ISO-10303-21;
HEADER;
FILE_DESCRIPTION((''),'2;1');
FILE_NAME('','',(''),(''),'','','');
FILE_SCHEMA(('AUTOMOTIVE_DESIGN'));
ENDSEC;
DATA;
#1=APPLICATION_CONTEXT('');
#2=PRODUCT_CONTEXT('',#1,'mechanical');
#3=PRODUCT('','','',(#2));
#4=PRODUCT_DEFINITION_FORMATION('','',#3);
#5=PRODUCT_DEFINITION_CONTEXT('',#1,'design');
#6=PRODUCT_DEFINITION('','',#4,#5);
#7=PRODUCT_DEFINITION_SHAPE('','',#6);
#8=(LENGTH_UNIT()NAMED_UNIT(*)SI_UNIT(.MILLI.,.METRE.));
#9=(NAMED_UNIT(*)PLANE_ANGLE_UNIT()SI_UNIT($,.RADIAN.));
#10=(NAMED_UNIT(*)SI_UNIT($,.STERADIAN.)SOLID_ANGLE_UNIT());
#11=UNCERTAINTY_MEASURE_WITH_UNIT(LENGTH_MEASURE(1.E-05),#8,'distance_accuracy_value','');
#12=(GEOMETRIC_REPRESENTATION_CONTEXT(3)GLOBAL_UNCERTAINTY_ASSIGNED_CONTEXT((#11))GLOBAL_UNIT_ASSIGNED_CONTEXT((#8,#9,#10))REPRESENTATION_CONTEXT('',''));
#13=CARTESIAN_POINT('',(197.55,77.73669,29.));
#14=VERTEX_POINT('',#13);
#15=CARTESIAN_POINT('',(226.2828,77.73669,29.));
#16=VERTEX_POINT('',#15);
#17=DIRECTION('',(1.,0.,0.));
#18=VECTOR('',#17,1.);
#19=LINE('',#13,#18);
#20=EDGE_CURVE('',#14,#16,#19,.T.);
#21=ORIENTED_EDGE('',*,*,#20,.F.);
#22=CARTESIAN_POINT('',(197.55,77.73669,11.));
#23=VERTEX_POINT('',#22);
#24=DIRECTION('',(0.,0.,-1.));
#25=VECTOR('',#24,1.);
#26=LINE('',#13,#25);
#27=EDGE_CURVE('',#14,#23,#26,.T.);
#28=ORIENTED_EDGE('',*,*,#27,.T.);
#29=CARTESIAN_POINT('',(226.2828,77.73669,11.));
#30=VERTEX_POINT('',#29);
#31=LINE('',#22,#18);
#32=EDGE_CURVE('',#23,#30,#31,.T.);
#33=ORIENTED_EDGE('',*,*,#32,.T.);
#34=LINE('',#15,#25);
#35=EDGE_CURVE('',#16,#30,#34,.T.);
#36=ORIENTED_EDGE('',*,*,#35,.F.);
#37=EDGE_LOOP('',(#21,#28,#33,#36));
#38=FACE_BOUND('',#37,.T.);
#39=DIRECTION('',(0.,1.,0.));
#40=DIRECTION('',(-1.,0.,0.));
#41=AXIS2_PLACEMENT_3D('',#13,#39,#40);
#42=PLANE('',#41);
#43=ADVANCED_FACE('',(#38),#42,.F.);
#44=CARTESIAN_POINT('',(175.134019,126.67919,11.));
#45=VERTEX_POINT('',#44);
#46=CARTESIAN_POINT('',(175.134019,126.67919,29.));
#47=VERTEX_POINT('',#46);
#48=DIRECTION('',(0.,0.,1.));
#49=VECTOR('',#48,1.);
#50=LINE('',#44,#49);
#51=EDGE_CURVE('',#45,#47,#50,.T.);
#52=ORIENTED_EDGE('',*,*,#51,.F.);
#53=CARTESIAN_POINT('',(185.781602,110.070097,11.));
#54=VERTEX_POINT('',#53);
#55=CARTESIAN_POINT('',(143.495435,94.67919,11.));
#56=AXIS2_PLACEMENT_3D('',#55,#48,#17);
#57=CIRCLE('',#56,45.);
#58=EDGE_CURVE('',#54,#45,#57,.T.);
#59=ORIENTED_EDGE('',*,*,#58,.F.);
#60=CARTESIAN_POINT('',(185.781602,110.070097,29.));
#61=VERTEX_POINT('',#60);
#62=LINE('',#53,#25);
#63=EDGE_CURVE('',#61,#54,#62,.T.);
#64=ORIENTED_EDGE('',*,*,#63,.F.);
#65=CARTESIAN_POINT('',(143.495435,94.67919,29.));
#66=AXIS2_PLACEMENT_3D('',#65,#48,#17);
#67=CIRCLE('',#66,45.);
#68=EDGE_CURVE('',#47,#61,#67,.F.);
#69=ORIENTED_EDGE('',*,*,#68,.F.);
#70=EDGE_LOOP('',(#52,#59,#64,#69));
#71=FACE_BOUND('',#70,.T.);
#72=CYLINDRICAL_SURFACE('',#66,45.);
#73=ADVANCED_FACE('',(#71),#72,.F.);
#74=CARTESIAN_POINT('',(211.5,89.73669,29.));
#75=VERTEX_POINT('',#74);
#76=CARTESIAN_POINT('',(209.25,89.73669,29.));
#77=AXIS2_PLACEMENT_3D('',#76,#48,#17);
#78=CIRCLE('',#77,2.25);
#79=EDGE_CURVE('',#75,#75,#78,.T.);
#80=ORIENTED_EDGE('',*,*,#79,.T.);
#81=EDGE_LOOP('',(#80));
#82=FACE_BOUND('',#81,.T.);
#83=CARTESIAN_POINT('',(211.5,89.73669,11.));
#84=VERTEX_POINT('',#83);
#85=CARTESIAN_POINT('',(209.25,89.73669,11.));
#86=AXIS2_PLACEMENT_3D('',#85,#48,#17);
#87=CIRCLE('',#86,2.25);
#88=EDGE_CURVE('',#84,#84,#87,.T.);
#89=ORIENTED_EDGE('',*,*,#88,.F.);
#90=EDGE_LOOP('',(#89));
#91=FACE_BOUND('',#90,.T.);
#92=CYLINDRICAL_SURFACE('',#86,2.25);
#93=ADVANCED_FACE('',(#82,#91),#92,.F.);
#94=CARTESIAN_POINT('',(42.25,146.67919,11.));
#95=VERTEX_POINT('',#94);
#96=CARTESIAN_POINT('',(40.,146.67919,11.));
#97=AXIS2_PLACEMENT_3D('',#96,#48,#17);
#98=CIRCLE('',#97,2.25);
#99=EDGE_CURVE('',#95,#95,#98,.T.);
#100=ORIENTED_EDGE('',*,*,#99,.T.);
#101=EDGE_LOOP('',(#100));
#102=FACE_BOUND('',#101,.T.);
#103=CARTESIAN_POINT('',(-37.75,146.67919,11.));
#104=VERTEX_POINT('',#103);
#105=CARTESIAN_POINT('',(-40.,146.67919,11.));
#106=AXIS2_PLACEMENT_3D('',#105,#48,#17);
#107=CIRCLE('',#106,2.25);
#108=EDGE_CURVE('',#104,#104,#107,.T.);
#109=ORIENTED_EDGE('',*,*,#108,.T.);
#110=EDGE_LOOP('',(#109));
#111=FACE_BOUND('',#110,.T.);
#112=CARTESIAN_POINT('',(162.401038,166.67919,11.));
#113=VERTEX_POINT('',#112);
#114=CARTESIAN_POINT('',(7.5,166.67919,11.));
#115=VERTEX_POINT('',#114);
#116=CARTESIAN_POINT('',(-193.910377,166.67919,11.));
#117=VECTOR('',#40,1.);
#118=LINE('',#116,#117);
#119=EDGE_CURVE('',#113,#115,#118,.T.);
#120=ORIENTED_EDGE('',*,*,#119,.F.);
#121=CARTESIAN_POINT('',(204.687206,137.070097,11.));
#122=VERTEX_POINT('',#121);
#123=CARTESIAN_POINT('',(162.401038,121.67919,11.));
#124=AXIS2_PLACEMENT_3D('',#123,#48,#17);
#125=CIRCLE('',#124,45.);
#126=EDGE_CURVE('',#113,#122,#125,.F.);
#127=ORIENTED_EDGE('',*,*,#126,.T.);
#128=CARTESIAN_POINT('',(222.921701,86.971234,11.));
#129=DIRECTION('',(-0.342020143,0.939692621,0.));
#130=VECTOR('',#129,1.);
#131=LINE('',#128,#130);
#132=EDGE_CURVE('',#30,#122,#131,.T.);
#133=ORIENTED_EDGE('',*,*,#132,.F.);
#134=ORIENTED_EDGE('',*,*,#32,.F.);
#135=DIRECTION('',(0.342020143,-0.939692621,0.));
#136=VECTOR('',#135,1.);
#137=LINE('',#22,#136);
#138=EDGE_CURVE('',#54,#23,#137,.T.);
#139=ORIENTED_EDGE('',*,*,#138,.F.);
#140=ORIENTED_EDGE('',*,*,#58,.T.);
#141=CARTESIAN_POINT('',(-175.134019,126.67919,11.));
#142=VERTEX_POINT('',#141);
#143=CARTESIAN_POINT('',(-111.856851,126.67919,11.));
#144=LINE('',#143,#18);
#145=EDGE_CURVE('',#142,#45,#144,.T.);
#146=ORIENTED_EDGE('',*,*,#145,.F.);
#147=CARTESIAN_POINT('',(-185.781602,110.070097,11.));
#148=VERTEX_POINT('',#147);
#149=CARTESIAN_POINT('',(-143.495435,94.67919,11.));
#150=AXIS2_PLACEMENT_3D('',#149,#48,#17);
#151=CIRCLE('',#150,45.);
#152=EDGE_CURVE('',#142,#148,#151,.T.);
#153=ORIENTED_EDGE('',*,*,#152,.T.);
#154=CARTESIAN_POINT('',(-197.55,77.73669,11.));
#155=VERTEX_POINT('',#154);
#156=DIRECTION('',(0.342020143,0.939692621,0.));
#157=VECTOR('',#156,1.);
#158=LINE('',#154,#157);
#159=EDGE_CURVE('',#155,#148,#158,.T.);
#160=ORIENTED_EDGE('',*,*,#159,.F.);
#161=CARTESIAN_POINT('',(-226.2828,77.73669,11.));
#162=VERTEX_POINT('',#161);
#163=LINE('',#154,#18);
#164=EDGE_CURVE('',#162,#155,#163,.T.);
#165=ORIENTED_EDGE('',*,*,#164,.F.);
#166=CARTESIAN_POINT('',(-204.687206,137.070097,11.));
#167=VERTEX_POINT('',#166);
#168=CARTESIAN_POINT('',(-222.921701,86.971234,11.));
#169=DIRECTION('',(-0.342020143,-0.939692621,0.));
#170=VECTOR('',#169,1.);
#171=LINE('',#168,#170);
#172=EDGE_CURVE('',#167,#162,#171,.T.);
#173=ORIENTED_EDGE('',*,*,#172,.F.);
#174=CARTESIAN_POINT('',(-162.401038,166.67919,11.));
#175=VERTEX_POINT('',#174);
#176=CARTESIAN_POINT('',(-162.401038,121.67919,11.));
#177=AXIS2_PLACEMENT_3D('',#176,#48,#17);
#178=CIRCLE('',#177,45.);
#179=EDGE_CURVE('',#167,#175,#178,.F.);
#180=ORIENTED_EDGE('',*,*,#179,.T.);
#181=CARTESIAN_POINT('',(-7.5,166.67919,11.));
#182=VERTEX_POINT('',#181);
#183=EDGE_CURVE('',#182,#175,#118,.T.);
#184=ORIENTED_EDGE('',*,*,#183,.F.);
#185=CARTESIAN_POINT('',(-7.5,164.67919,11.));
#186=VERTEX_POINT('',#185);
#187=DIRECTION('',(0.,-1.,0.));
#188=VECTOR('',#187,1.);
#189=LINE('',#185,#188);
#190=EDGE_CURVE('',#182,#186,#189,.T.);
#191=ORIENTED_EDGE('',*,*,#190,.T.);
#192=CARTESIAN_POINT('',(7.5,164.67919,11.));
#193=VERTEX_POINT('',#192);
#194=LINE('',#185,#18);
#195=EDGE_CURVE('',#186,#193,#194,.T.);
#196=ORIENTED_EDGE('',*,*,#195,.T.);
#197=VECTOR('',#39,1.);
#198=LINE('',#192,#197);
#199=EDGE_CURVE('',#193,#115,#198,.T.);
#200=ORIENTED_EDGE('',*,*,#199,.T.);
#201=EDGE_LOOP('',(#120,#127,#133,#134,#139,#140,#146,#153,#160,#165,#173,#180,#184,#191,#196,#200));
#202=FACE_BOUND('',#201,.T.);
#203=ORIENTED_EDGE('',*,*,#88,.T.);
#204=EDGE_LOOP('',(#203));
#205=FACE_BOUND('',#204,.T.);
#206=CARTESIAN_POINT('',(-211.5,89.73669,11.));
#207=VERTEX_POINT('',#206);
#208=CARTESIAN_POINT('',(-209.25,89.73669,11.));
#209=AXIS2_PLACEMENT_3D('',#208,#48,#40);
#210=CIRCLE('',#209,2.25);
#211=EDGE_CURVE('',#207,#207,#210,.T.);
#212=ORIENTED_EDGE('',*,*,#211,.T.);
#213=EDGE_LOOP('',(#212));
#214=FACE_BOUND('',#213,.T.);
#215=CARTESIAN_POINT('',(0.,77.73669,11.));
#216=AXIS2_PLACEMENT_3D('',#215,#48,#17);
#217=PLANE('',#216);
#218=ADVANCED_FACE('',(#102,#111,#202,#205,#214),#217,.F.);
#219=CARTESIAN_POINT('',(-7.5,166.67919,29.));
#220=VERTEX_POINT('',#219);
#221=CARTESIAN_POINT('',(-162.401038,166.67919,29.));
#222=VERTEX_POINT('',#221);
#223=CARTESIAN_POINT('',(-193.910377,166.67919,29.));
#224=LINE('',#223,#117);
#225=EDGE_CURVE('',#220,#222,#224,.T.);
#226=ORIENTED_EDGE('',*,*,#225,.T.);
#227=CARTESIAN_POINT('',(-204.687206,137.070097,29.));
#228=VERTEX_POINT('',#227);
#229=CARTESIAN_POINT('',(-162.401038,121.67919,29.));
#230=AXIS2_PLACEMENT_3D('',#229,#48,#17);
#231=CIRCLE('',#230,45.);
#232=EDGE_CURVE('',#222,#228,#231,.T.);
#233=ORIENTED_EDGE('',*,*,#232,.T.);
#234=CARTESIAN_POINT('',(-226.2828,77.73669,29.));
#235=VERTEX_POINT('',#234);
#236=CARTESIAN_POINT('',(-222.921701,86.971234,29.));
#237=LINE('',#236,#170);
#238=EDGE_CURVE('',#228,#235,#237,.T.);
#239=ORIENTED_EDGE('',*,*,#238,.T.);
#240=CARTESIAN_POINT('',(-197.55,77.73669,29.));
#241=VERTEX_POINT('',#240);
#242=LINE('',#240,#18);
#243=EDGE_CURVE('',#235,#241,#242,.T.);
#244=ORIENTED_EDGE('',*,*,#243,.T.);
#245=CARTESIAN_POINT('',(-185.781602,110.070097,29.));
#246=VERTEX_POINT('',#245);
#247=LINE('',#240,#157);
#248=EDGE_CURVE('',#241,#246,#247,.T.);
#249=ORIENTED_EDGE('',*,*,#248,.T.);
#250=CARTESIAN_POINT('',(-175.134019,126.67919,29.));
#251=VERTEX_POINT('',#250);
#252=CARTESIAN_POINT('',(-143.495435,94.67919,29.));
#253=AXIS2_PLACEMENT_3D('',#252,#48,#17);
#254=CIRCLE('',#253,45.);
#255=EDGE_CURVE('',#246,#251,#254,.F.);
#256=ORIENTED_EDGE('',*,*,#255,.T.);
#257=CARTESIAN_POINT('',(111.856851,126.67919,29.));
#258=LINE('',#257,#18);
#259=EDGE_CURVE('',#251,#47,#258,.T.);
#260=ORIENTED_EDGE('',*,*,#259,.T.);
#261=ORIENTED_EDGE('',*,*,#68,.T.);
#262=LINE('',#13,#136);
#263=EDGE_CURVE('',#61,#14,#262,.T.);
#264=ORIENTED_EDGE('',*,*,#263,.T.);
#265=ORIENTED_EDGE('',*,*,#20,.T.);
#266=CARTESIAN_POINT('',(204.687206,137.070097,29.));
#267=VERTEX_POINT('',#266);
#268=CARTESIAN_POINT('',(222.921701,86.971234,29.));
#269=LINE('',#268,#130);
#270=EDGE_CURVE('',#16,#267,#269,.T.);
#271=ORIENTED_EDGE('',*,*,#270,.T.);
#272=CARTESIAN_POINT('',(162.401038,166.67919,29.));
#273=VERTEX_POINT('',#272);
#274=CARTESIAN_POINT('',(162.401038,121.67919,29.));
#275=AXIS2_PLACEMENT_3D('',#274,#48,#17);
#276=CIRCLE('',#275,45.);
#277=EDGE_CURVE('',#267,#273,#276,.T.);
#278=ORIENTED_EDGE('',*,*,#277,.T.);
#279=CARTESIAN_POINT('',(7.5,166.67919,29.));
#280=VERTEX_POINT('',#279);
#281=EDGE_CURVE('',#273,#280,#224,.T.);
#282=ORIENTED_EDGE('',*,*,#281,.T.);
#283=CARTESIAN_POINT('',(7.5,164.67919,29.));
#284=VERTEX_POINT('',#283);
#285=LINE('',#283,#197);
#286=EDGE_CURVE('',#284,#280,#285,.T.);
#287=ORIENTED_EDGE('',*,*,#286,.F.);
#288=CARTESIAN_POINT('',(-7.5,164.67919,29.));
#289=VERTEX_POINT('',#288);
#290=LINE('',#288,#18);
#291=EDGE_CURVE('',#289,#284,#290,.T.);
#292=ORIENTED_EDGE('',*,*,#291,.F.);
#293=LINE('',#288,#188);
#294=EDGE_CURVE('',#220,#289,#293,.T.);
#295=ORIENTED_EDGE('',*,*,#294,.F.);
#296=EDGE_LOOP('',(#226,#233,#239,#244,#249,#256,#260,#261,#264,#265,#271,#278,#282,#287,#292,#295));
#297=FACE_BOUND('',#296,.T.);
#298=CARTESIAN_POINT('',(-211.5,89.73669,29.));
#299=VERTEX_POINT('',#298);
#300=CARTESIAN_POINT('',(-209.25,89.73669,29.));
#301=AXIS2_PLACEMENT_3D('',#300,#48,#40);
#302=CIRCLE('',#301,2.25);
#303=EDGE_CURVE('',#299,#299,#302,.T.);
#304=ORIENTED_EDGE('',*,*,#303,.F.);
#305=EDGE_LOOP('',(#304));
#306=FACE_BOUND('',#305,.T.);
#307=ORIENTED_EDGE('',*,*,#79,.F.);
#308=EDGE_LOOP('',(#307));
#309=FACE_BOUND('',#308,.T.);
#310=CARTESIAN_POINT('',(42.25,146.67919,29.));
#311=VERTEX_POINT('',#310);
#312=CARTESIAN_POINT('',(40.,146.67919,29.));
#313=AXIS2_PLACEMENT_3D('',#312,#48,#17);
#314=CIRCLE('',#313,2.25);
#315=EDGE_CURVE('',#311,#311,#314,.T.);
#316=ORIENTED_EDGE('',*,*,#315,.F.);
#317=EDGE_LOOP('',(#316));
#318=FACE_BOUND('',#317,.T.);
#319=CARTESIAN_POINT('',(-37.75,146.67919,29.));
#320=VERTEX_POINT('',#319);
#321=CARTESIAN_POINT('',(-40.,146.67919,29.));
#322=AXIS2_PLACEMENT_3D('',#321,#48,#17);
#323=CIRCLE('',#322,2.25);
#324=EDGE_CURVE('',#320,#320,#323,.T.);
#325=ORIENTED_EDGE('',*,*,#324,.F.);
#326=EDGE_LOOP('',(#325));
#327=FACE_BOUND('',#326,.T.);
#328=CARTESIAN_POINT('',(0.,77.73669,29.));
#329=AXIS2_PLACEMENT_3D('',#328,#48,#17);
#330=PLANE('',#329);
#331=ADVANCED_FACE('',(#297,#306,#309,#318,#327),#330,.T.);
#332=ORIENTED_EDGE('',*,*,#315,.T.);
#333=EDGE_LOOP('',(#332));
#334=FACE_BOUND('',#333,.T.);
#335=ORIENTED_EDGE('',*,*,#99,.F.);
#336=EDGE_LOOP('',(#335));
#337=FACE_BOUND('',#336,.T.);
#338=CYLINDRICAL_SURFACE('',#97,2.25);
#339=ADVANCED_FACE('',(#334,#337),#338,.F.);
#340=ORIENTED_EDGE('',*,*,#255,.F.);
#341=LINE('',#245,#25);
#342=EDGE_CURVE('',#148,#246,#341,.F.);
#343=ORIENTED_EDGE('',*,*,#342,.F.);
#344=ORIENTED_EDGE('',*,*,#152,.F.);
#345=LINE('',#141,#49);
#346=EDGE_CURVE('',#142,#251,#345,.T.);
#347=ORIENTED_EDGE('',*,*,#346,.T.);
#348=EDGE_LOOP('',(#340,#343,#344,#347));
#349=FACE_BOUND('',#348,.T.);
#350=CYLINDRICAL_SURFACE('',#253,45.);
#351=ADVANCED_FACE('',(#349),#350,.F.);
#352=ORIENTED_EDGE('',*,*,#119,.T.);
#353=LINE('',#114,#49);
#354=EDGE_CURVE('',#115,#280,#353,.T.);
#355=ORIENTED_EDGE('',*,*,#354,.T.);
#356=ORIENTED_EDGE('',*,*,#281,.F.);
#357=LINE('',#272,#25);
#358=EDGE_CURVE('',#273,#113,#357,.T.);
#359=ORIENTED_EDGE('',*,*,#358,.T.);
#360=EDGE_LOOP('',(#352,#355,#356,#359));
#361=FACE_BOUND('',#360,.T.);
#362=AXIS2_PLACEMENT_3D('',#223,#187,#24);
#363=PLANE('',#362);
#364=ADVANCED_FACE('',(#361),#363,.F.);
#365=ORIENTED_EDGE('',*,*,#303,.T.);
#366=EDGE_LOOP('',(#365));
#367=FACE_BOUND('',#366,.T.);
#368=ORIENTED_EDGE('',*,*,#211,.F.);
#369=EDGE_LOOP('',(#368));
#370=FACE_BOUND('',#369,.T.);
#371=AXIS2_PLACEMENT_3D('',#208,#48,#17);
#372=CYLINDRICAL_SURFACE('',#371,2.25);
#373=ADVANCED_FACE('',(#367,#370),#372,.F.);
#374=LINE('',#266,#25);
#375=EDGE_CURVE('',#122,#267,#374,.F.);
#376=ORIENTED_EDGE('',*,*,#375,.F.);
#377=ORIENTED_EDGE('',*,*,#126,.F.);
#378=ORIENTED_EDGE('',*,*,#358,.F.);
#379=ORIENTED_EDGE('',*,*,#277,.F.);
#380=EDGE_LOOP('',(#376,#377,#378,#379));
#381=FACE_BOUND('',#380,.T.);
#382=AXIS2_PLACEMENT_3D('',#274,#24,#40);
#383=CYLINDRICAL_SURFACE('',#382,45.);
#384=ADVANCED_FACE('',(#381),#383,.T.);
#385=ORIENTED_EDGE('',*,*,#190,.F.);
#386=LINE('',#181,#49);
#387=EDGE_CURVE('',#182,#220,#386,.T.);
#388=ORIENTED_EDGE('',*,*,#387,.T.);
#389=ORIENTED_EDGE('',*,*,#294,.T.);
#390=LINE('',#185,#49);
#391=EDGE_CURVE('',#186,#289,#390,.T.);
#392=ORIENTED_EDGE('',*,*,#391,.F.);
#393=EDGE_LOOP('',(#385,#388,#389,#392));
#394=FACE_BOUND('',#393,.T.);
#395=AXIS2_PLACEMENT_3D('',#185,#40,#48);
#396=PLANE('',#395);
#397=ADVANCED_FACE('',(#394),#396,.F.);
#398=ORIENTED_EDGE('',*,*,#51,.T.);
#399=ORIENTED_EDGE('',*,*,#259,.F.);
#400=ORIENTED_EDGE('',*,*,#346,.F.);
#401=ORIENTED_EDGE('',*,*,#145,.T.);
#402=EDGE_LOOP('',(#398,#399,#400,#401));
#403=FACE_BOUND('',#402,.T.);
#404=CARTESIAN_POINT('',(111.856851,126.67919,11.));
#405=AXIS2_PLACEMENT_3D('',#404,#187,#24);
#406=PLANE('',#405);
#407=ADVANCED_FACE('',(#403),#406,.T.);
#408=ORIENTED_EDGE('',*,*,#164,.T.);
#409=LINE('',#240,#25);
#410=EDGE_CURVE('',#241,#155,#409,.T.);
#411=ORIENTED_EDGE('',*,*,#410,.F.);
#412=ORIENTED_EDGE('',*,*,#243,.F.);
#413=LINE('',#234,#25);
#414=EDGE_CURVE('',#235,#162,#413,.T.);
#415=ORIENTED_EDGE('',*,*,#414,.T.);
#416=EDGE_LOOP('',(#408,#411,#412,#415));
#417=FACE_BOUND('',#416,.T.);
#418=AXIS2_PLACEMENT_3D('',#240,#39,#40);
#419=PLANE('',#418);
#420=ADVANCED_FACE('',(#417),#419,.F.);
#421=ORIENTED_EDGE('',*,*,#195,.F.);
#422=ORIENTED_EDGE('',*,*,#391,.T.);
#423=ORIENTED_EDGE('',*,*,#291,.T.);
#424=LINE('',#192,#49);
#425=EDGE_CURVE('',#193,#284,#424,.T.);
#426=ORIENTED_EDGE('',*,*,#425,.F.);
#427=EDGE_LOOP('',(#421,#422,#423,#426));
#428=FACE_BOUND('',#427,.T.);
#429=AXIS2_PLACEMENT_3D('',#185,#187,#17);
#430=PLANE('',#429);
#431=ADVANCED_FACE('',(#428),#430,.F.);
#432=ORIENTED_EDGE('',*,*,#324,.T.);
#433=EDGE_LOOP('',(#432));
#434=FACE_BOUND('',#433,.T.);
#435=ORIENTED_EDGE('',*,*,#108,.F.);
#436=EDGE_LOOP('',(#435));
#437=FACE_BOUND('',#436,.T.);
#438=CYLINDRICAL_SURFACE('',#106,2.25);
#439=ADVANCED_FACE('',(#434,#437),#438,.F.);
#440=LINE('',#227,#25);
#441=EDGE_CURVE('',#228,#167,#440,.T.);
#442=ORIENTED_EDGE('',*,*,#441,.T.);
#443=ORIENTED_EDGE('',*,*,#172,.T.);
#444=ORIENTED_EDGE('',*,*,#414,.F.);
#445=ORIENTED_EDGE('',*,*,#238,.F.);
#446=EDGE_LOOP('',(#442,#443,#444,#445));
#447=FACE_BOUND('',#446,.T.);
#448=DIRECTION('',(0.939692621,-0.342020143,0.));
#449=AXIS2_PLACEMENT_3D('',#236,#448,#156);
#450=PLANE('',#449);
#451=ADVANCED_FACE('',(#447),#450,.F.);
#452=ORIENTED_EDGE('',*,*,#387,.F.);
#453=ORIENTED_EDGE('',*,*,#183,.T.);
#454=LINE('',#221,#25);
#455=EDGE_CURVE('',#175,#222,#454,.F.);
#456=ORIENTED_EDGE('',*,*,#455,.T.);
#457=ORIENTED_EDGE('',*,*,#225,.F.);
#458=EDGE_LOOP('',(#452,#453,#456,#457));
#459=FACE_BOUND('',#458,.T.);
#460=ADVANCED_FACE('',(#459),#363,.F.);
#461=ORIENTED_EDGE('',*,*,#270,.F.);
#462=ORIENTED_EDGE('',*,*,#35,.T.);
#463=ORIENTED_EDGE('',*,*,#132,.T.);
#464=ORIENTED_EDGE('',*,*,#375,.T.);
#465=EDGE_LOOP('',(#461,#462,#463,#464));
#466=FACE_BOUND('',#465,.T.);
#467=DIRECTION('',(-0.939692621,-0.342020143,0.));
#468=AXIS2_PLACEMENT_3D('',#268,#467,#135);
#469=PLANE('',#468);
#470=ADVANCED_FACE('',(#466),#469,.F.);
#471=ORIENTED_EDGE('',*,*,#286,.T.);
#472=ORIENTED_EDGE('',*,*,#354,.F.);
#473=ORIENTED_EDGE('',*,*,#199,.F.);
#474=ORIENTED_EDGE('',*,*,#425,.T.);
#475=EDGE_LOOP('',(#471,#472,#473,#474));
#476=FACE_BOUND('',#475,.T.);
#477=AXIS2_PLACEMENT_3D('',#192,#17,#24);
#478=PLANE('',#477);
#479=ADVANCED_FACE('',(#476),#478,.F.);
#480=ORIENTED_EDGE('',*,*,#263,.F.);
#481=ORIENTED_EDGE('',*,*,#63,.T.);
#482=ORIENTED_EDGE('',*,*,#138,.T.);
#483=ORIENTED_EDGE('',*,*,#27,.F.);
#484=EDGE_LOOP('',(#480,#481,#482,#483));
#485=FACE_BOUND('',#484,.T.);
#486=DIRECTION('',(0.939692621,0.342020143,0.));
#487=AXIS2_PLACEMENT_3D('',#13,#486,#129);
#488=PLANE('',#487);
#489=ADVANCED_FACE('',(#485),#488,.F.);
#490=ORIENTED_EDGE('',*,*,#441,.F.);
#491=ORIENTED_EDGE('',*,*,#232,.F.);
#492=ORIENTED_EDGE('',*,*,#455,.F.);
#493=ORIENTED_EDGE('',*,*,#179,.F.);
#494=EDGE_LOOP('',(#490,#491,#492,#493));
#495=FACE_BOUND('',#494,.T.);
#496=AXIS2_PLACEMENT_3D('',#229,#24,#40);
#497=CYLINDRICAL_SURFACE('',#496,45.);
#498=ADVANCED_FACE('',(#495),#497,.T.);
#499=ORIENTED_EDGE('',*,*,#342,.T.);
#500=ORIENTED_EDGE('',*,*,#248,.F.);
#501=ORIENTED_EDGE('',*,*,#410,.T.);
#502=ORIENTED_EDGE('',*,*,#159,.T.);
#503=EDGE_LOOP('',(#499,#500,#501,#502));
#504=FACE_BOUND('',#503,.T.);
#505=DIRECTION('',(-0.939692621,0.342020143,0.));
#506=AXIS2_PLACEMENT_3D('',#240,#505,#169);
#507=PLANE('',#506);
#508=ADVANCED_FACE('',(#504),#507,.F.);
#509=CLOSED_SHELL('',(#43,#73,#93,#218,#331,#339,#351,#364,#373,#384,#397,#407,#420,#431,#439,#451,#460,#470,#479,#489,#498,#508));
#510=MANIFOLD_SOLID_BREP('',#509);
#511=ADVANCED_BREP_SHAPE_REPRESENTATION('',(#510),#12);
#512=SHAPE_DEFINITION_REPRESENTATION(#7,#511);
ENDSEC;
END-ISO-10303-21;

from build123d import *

# Parameters (mm, degrees)
SALIENTE_EXTRUIR1_DEPTH = 40
REDONDEO1_R             = 100
ESCALA1_SCALE           = 0.6
ESCALA2_SCALE           = 0.75
SALIENTE_EXTRUIR2_DEPTH = 18
CROQUIS3_W              = 15
CROQUIS3_H              = 2
CORTAR_EXTRUIR1_DEPTH   = 19
CROQUIS4_R              = 2.25
CORTAR_EXTRUIR3_DEPTH   = 19
CROQUIS5_R              = 2.25
CORTAR_EXTRUIR4_DEPTH   = 19


with BuildPart() as part:
    # Croquis1 → Saliente-Extruir1 (new body)
    with BuildSketch(Plane.XY):
        Polygon((-439, 0), (-388.899497253, 137.65), (388.899497253, 137.65), (439, 0), (502.850666349, 0), (495.381557247, 20.5212086), (430.911949546, 197.65), (-430.911949546, 197.65), (-495.381557247, 20.5212086), (-502.850666349, 0), align=None)
    extrude(amount=SALIENTE_EXTRUIR1_DEPTH)

    # Redondeo1
    redondeo1_edges = [part.edges().sort_by_distance(p)[0] for p in [
        (-430.911949546, 197.65, 20),
        (430.911949546, 197.65, 20),
        (388.899497253, 137.65, 20),
        (-388.899497253, 137.65, 20),
    ]]
    fillet(redondeo1_edges, radius=REDONDEO1_R)


with BuildPart() as part_1:
    # Escala1: scaled about (0, 141.339436806, 20)
    add(part.part.scale(ESCALA1_SCALE).moved(Location((0, 56.535774722, 8))))


with BuildPart() as part_2:
    # Escala2: scaled about (0, 141.339436806, 20)
    add(part_1.part.scale(ESCALA2_SCALE).moved(Location((0, 35.334859202, 5))))

    # Croquis2 → Saliente-Extruir2 (add, through all)
    with BuildSketch(Plane.XY.offset(29)):
        with BuildLine():
            Line((-111.856850505, 126.679190243), (111.856850505, 126.679190243))
            Line((111.856850505, 126.679190243), (175.134018584, 126.679190243))
            ThreePointArc((175.134018584, 126.679190243), (160.598065921, 136.30250102), (143.495434545, 139.679190243))
            Line((143.495434545, 139.679190243), (-143.495434545, 139.679190243))
            ThreePointArc((-143.495434545, 139.679190243), (-160.598065921, 136.30250102), (-175.134018584, 126.679190243))
            Line((-175.134018584, 126.679190243), (-111.856850505, 126.679190243))
        make_face()
    extrude(amount=-SALIENTE_EXTRUIR2_DEPTH)

    # Croquis3 → Cortar-Extruir1 (cut, through all)
    with BuildSketch(Plane.XY.offset(29)):
        with Locations((0, 165.679190243)):
            Rectangle(CROQUIS3_W, CROQUIS3_H)
    extrude(amount=-CORTAR_EXTRUIR1_DEPTH, mode=Mode.SUBTRACT)

    # Croquis4 → Cortar-Extruir3 (cut, through all)
    with BuildSketch(Plane.XY.offset(29)):
        with Locations((209.25, 89.736690243)):
            Circle(CROQUIS4_R)
        with Locations((-209.25, 89.736690243)):
            Circle(CROQUIS4_R)
    extrude(amount=-CORTAR_EXTRUIR3_DEPTH, mode=Mode.SUBTRACT)

    # Croquis5 → Cortar-Extruir4 (cut, through all)
    with BuildSketch(Plane.XY.offset(29)):
        with Locations((-40, 146.679190243)):
            Circle(CROQUIS5_R)
        with Locations((40, 146.679190243)):
            Circle(CROQUIS5_R)
    extrude(amount=-CORTAR_EXTRUIR4_DEPTH, mode=Mode.SUBTRACT)


solid = part_2.part
